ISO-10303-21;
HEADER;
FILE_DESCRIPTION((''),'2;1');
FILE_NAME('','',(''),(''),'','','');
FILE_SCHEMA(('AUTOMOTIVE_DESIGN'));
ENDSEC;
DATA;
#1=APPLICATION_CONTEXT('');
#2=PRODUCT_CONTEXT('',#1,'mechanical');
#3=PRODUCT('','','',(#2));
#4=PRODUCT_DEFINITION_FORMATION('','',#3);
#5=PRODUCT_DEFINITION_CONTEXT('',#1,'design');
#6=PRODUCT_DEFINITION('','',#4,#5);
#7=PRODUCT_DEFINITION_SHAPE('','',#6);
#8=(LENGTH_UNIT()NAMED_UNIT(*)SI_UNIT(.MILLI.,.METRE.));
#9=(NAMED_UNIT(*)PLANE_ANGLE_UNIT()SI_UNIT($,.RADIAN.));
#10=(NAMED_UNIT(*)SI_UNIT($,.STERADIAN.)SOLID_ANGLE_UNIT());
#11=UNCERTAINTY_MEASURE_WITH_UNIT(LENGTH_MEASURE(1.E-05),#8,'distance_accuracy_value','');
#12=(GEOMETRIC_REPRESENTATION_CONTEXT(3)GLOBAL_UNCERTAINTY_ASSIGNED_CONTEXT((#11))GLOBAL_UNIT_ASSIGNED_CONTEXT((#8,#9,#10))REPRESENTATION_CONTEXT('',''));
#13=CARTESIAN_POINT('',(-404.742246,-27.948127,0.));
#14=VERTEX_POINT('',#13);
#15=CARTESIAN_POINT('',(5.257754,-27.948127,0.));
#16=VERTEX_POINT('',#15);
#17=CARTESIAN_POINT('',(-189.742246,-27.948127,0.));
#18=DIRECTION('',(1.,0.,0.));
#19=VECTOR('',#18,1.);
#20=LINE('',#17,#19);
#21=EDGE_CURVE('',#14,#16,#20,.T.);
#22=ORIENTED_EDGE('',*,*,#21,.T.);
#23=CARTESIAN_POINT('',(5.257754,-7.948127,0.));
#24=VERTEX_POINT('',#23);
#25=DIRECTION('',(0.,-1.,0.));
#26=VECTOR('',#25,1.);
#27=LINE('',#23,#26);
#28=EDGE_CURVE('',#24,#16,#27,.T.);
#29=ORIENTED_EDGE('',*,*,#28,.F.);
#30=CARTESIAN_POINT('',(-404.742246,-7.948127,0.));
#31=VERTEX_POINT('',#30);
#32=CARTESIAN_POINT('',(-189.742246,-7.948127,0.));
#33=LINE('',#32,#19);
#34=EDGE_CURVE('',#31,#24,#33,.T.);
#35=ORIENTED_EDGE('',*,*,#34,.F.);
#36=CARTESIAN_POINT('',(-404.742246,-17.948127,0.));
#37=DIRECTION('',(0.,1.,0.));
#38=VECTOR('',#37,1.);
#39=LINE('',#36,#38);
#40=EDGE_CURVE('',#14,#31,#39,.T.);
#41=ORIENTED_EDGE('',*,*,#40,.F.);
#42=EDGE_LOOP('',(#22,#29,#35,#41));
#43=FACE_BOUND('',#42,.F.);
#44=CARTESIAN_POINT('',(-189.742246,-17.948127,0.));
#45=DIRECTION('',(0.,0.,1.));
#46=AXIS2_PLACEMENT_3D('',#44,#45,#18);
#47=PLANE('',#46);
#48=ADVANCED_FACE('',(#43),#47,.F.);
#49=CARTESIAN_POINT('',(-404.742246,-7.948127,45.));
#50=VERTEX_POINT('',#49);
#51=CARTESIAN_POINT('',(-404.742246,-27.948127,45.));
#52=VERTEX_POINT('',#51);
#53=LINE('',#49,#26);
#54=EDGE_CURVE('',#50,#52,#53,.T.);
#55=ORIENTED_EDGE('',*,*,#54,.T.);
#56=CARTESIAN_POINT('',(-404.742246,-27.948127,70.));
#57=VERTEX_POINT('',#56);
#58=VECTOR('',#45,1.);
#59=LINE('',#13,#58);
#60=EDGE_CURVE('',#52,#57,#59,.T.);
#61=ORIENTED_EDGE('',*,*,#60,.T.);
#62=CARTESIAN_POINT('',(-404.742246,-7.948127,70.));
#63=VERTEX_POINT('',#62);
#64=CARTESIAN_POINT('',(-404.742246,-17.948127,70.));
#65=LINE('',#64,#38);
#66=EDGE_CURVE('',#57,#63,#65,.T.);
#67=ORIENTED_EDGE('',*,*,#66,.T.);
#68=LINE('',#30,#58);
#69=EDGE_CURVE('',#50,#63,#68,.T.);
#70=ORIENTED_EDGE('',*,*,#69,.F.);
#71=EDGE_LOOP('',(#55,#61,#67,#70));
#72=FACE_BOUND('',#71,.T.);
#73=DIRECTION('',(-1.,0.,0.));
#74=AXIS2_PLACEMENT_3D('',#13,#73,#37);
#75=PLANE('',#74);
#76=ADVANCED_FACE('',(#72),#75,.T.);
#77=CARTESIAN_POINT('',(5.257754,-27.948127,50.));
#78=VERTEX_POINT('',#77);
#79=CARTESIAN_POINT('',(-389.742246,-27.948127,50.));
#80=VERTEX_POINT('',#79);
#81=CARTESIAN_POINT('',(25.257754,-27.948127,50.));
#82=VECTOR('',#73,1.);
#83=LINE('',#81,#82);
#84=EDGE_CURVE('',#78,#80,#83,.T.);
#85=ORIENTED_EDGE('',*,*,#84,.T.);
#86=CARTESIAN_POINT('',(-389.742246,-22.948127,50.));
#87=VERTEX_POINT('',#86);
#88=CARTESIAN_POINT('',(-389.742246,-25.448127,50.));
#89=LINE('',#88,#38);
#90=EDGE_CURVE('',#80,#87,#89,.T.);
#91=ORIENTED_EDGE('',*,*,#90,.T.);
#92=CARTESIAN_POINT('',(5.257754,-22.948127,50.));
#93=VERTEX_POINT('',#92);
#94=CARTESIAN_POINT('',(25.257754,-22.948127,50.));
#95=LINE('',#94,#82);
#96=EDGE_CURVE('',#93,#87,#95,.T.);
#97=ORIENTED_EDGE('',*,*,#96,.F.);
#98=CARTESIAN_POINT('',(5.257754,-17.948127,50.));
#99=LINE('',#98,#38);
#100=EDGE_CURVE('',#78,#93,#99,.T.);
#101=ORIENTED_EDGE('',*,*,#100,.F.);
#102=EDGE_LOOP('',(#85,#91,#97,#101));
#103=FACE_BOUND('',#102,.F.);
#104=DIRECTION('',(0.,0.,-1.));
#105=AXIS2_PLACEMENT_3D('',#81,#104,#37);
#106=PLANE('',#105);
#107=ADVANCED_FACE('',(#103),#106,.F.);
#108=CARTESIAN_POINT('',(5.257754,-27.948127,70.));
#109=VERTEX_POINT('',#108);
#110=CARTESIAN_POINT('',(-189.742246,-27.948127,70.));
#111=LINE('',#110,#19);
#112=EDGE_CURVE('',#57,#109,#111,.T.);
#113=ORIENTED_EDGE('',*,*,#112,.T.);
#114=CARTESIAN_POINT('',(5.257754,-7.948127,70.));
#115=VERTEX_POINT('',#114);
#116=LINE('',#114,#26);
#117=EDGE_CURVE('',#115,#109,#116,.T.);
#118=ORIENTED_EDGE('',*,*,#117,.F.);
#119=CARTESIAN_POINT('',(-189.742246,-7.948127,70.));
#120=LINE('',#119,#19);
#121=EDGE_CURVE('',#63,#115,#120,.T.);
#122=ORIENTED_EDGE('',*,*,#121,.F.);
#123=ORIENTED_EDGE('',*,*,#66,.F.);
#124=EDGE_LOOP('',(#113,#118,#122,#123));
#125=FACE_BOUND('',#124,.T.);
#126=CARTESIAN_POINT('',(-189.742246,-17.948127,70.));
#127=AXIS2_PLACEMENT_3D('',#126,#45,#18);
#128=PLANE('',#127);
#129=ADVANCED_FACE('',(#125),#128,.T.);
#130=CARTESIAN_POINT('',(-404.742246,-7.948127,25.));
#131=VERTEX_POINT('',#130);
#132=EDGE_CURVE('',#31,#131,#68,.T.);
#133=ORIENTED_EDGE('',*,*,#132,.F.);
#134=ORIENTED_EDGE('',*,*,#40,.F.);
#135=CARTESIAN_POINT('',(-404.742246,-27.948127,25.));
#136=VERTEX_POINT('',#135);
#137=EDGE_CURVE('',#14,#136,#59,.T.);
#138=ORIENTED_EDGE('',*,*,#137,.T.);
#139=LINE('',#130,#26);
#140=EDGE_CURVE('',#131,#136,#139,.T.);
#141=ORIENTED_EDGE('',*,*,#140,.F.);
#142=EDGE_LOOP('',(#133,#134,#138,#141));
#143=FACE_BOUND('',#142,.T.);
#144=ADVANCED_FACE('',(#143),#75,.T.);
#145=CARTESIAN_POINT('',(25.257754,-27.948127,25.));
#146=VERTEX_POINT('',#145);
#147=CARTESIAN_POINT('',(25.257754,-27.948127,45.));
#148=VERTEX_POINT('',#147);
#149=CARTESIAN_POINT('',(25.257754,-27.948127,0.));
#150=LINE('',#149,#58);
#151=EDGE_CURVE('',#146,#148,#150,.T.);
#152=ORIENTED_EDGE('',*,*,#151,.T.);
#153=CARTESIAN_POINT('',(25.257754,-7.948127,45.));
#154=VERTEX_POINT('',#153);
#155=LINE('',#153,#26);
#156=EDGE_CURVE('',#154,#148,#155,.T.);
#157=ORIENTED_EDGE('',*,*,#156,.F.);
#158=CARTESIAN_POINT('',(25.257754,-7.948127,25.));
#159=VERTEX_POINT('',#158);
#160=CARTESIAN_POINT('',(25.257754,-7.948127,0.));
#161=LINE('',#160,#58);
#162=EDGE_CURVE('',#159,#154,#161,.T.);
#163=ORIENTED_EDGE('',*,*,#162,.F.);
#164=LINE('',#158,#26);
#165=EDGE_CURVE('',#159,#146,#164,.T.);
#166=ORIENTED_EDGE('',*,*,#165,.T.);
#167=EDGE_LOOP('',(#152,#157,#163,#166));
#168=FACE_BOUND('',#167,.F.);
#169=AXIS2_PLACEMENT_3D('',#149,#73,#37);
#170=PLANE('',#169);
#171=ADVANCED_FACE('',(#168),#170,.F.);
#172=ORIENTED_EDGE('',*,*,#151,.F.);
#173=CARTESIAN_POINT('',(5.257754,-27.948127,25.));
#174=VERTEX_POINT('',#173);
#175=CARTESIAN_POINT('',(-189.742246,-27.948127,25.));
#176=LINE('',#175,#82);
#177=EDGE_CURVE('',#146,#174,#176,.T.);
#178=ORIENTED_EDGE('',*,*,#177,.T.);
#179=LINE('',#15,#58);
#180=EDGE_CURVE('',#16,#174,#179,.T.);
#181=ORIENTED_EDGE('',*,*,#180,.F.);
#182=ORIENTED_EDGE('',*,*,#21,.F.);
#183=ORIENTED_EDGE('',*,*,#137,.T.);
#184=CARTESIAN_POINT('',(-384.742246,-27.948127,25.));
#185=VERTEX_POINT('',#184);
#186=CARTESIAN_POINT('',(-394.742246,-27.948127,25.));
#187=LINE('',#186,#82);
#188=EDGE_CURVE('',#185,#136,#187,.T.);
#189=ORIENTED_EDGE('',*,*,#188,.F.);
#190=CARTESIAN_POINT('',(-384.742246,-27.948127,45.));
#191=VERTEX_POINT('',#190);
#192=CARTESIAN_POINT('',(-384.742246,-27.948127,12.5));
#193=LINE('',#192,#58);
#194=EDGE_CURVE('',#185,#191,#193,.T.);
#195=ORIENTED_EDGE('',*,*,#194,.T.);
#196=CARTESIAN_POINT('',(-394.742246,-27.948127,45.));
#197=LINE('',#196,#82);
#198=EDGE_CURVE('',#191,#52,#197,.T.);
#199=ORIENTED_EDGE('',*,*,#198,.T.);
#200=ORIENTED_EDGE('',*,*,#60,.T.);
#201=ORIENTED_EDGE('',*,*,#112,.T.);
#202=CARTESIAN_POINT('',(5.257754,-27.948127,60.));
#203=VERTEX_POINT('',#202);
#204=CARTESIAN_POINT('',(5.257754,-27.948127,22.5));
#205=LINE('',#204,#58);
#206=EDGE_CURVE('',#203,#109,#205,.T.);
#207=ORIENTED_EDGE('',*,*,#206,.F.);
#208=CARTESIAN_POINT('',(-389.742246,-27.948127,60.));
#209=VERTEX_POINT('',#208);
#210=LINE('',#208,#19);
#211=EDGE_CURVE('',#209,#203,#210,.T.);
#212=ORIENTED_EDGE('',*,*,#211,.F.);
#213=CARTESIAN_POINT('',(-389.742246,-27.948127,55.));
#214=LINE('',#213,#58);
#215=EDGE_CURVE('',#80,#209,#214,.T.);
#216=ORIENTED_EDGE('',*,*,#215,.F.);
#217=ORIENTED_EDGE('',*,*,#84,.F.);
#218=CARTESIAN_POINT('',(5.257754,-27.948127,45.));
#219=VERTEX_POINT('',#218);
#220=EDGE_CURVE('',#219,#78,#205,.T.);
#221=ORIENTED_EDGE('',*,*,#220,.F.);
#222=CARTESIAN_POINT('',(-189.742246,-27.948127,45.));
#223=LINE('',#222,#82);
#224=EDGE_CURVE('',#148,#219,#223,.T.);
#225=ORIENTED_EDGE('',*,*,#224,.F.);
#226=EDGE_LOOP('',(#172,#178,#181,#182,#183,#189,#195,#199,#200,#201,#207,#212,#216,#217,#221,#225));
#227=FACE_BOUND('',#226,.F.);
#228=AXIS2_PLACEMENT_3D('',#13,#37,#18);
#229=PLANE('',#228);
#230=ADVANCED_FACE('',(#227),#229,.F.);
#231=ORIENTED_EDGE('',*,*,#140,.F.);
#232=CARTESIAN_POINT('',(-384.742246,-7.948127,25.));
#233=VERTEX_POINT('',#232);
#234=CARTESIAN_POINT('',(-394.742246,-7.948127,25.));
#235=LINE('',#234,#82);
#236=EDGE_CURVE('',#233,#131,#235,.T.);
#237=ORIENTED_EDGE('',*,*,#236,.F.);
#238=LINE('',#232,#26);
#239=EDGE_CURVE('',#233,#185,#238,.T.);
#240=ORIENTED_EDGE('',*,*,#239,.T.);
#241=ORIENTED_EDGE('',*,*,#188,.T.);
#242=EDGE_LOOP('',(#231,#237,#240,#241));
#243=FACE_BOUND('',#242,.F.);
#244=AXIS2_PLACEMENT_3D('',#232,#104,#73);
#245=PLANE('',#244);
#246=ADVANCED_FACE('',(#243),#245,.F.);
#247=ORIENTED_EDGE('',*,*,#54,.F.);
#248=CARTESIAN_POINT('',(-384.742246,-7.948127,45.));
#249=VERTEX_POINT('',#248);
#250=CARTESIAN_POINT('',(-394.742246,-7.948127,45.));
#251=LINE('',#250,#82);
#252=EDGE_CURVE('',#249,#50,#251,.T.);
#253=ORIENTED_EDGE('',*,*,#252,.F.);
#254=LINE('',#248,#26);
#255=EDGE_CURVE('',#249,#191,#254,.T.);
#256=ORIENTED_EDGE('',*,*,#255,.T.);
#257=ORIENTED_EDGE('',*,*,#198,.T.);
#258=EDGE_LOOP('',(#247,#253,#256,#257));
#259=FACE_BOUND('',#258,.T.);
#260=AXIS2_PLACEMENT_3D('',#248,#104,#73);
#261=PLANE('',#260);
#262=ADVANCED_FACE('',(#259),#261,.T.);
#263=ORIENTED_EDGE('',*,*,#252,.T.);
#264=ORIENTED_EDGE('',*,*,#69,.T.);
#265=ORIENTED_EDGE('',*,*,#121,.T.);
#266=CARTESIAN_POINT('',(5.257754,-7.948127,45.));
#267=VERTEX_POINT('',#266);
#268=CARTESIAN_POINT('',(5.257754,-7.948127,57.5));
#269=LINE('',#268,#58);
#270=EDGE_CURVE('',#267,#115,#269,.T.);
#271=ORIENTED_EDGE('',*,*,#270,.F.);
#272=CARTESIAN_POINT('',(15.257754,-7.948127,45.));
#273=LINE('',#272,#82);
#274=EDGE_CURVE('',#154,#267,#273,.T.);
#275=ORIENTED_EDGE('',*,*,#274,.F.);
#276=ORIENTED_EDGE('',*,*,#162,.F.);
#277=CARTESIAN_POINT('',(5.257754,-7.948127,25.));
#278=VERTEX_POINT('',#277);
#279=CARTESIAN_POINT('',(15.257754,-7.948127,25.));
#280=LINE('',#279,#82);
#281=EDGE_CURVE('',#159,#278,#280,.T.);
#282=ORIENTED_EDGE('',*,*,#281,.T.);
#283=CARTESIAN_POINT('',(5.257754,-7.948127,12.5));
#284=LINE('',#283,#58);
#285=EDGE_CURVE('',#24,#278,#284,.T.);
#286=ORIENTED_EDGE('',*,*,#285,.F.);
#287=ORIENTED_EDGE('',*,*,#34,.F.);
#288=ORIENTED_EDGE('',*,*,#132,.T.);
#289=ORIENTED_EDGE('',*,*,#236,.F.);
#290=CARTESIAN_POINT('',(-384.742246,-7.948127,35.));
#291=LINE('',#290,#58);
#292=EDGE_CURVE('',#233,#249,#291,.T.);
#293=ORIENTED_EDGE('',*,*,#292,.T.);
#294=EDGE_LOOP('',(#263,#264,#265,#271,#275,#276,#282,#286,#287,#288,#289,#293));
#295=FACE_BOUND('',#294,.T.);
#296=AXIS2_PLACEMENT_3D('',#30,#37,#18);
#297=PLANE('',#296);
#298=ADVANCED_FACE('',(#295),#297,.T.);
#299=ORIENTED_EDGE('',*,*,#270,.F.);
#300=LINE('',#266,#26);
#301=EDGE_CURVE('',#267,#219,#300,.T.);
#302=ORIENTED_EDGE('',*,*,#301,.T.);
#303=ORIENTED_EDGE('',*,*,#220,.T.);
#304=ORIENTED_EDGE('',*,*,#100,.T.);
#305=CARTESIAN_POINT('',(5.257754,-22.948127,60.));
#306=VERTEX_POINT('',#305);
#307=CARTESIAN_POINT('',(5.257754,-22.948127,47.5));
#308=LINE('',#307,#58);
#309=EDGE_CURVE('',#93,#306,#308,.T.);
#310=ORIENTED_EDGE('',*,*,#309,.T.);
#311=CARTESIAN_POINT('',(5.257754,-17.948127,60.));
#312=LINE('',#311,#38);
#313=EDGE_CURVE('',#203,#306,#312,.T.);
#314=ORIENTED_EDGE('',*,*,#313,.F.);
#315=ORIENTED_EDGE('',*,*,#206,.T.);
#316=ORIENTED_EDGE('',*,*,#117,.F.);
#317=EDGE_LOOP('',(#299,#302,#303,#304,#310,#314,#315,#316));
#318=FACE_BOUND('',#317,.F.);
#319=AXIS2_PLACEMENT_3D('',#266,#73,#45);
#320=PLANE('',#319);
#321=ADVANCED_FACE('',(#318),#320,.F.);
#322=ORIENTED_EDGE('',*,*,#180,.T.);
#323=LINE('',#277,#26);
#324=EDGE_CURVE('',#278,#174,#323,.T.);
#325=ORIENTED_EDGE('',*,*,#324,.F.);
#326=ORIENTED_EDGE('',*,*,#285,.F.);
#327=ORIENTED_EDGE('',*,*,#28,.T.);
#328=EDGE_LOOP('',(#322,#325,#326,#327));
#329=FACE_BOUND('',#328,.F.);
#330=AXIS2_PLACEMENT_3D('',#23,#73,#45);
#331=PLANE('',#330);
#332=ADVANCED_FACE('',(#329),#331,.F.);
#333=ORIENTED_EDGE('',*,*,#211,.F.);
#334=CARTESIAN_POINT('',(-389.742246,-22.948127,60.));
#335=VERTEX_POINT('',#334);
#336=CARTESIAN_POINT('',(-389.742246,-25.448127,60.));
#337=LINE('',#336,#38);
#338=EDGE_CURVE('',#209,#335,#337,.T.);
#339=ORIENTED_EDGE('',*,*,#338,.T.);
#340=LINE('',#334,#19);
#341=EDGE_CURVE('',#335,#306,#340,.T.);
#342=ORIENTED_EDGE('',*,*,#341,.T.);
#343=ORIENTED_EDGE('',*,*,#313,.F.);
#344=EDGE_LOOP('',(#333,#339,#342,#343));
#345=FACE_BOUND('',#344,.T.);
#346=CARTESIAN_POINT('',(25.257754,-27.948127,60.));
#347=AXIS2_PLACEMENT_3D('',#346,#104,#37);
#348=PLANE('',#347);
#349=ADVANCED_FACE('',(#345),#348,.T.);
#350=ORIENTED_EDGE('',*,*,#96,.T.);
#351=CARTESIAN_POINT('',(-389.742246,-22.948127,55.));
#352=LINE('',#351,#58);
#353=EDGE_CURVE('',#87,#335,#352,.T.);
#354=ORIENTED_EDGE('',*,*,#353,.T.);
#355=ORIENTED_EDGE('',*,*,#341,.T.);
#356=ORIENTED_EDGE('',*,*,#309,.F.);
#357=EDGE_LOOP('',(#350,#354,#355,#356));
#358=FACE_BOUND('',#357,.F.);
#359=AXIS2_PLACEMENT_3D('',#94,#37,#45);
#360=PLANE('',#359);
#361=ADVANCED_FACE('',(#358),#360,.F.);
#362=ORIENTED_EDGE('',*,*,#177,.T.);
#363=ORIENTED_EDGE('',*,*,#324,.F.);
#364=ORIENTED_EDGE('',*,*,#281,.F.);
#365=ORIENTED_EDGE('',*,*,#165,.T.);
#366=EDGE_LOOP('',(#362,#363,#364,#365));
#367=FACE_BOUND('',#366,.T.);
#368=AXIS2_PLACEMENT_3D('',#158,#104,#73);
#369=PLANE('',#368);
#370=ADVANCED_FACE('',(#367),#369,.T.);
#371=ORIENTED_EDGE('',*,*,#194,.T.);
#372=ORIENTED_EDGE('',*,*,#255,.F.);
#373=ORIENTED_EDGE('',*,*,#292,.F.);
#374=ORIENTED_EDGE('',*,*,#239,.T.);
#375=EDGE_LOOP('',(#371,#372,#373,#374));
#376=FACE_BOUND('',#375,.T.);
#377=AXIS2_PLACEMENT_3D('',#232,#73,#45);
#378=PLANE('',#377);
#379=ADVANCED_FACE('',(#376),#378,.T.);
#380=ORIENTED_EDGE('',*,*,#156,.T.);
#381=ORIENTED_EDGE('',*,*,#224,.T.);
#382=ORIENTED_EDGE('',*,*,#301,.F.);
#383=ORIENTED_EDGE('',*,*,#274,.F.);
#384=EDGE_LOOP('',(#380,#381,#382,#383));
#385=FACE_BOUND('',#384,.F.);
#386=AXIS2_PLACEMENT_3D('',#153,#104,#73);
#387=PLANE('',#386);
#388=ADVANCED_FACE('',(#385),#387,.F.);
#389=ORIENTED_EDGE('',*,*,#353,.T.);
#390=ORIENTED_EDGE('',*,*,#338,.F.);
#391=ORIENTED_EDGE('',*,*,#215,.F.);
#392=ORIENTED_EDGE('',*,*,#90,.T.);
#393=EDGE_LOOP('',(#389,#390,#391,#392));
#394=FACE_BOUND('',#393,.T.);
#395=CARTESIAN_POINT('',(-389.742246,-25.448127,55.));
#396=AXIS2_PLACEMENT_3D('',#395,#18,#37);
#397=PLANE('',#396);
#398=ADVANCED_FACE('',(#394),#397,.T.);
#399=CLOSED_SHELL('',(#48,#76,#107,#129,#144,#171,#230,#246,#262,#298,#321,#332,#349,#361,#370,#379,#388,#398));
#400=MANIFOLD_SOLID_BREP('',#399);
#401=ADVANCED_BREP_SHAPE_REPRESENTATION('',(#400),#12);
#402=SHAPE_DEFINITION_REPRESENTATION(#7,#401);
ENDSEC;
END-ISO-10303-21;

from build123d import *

# Parameters (mm, degrees)
F0_W          = 430
F0_H          = 20
F1_DEPTH      = 70
F2_W          = 5
F2_H          = 10
F3_DEPTH      = 415
F3_DEPTH_BACK = 15
F4_W          = 20
F4_H          = 25
F4_H_2        = 20
F5_DEPTH      = 20.001


with BuildPart() as f1:
    # F0 (on Top) → F1 (new body)
    with BuildSketch(Plane.XY):
        with Locations((-189.742246, -17.948127)):
            Rectangle(F0_W, F0_H)
    extrude(amount=F1_DEPTH)

    # F2 (on face) → F3 (cut, two sides)
    with BuildSketch(Plane.YZ.offset(25.257754)) as f3_sk:
        with Locations((-25.448127, 55)):
            Rectangle(F2_W, F2_H)
    extrude(amount=-F3_DEPTH, mode=Mode.SUBTRACT)
    extrude(f3_sk.sketch, amount=-F3_DEPTH_BACK, mode=Mode.SUBTRACT)

    # F4 (on face) → F5 (cut, through all)
    with BuildSketch(Plane(origin=(0, -7.948127, 0), x_dir=(-1, 0, 0), z_dir=(0, 1, 0))):
        with Locations((-15.257754, 57.5)):
            Rectangle(F4_W, F4_H)
        with Locations((-15.257754, 12.5)):
            Rectangle(F4_W, F4_H)
        with Locations((394.742246, 35)):
            Rectangle(F4_W, F4_H_2)
    extrude(amount=-F5_DEPTH, mode=Mode.SUBTRACT)


solid = f1.part
